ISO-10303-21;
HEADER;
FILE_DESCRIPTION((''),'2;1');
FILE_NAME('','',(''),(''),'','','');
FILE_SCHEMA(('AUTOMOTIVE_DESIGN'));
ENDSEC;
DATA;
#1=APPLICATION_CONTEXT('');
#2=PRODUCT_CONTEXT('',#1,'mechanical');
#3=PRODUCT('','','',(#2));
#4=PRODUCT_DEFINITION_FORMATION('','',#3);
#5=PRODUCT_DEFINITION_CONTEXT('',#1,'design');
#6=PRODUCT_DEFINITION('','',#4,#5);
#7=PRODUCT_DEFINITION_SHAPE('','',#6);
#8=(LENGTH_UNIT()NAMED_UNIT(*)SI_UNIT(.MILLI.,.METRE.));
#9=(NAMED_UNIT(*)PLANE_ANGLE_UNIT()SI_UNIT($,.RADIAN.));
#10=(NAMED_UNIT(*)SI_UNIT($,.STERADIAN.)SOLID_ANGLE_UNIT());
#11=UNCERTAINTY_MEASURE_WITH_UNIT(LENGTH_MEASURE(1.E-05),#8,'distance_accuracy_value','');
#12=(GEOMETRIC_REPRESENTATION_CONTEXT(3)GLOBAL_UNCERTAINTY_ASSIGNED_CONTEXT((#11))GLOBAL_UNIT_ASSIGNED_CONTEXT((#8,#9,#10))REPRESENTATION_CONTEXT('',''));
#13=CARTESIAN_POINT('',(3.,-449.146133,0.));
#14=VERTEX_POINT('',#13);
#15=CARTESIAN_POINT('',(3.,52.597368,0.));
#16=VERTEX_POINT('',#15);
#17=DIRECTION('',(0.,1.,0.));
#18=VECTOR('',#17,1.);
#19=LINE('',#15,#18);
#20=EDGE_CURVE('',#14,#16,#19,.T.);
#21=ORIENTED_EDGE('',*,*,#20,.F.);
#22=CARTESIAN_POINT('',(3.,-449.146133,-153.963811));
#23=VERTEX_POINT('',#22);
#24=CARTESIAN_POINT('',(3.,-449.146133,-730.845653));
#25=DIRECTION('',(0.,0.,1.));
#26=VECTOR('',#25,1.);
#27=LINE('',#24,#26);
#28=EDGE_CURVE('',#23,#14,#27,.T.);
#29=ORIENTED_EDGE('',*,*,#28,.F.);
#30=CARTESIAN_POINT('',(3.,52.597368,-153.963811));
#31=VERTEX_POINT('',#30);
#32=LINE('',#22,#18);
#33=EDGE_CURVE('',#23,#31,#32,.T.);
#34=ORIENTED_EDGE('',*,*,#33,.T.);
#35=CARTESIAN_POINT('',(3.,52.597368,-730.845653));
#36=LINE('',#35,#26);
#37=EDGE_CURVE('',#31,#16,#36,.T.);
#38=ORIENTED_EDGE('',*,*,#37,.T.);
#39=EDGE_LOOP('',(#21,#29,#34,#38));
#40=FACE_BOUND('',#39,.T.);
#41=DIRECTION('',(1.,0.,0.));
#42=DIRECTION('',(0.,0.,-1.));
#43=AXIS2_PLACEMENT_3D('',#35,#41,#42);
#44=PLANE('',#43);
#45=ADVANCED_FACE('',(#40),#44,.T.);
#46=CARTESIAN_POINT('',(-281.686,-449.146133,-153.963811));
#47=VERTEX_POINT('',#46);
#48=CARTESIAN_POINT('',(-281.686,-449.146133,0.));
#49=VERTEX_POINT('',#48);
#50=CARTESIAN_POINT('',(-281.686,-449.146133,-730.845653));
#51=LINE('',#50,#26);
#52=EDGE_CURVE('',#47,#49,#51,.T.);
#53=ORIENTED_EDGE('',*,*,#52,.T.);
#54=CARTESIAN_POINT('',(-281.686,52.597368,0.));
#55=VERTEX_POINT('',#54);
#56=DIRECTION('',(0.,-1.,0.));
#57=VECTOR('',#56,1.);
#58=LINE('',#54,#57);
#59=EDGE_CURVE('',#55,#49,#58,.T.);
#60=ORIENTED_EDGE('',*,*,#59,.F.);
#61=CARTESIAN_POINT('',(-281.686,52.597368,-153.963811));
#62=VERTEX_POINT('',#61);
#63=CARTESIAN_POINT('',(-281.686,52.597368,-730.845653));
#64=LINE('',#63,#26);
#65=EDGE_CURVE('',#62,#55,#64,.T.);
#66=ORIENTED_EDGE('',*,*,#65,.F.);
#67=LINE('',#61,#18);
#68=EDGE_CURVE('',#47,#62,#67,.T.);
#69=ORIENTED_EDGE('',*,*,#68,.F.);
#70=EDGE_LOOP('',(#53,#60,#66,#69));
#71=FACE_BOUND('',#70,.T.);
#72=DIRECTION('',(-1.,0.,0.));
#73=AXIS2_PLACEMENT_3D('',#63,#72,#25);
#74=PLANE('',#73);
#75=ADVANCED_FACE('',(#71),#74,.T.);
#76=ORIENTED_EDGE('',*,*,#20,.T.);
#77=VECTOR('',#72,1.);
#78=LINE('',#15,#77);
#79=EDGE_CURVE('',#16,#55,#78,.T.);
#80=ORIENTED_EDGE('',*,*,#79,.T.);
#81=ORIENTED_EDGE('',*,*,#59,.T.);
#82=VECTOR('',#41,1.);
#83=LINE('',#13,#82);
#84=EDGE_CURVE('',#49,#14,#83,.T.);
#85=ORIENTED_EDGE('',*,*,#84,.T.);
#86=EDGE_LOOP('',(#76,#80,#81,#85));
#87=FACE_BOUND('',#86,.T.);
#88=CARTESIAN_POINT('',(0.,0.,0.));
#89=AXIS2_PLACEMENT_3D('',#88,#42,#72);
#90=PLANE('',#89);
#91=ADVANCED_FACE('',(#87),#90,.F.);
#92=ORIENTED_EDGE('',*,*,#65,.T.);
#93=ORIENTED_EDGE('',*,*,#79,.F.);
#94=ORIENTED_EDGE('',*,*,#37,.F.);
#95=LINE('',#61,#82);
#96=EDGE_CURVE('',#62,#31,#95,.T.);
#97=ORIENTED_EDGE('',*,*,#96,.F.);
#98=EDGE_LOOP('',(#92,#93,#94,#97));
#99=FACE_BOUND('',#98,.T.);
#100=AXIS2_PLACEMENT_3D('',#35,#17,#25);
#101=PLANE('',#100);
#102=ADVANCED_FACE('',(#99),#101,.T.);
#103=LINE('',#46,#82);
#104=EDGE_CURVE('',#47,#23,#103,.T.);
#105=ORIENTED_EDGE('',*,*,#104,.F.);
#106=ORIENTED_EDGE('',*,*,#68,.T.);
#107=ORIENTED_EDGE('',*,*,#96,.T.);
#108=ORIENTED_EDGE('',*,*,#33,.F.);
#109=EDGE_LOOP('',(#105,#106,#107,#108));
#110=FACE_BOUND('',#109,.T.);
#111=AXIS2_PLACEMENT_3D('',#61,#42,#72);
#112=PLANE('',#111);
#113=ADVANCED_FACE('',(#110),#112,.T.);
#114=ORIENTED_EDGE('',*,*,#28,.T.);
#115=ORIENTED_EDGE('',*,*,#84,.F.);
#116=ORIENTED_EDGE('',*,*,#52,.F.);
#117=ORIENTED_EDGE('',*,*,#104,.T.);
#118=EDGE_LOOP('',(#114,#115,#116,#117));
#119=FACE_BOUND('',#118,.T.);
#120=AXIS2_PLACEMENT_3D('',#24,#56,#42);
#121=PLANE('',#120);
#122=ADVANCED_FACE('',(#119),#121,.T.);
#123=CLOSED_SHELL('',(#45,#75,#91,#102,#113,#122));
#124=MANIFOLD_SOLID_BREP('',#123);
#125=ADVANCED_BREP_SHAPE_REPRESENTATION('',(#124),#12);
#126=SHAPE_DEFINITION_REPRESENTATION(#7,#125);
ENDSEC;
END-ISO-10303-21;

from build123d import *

# Parameters (mm, degrees)
SKETCH1_W           = 284.686
SKETCH1_H           = 501.743501487
BOSS_EXTRUDE1_DEPTH = 153.963811273


with BuildPart() as part:
    # Sketch1 → Boss-Extrude1 (new body)
    with BuildSketch(Plane.XY):
        with Locations((-139.343, -198.274382667)):
            Rectangle(SKETCH1_W, SKETCH1_H)
    extrude(amount=-BOSS_EXTRUDE1_DEPTH)


solid = part.part
